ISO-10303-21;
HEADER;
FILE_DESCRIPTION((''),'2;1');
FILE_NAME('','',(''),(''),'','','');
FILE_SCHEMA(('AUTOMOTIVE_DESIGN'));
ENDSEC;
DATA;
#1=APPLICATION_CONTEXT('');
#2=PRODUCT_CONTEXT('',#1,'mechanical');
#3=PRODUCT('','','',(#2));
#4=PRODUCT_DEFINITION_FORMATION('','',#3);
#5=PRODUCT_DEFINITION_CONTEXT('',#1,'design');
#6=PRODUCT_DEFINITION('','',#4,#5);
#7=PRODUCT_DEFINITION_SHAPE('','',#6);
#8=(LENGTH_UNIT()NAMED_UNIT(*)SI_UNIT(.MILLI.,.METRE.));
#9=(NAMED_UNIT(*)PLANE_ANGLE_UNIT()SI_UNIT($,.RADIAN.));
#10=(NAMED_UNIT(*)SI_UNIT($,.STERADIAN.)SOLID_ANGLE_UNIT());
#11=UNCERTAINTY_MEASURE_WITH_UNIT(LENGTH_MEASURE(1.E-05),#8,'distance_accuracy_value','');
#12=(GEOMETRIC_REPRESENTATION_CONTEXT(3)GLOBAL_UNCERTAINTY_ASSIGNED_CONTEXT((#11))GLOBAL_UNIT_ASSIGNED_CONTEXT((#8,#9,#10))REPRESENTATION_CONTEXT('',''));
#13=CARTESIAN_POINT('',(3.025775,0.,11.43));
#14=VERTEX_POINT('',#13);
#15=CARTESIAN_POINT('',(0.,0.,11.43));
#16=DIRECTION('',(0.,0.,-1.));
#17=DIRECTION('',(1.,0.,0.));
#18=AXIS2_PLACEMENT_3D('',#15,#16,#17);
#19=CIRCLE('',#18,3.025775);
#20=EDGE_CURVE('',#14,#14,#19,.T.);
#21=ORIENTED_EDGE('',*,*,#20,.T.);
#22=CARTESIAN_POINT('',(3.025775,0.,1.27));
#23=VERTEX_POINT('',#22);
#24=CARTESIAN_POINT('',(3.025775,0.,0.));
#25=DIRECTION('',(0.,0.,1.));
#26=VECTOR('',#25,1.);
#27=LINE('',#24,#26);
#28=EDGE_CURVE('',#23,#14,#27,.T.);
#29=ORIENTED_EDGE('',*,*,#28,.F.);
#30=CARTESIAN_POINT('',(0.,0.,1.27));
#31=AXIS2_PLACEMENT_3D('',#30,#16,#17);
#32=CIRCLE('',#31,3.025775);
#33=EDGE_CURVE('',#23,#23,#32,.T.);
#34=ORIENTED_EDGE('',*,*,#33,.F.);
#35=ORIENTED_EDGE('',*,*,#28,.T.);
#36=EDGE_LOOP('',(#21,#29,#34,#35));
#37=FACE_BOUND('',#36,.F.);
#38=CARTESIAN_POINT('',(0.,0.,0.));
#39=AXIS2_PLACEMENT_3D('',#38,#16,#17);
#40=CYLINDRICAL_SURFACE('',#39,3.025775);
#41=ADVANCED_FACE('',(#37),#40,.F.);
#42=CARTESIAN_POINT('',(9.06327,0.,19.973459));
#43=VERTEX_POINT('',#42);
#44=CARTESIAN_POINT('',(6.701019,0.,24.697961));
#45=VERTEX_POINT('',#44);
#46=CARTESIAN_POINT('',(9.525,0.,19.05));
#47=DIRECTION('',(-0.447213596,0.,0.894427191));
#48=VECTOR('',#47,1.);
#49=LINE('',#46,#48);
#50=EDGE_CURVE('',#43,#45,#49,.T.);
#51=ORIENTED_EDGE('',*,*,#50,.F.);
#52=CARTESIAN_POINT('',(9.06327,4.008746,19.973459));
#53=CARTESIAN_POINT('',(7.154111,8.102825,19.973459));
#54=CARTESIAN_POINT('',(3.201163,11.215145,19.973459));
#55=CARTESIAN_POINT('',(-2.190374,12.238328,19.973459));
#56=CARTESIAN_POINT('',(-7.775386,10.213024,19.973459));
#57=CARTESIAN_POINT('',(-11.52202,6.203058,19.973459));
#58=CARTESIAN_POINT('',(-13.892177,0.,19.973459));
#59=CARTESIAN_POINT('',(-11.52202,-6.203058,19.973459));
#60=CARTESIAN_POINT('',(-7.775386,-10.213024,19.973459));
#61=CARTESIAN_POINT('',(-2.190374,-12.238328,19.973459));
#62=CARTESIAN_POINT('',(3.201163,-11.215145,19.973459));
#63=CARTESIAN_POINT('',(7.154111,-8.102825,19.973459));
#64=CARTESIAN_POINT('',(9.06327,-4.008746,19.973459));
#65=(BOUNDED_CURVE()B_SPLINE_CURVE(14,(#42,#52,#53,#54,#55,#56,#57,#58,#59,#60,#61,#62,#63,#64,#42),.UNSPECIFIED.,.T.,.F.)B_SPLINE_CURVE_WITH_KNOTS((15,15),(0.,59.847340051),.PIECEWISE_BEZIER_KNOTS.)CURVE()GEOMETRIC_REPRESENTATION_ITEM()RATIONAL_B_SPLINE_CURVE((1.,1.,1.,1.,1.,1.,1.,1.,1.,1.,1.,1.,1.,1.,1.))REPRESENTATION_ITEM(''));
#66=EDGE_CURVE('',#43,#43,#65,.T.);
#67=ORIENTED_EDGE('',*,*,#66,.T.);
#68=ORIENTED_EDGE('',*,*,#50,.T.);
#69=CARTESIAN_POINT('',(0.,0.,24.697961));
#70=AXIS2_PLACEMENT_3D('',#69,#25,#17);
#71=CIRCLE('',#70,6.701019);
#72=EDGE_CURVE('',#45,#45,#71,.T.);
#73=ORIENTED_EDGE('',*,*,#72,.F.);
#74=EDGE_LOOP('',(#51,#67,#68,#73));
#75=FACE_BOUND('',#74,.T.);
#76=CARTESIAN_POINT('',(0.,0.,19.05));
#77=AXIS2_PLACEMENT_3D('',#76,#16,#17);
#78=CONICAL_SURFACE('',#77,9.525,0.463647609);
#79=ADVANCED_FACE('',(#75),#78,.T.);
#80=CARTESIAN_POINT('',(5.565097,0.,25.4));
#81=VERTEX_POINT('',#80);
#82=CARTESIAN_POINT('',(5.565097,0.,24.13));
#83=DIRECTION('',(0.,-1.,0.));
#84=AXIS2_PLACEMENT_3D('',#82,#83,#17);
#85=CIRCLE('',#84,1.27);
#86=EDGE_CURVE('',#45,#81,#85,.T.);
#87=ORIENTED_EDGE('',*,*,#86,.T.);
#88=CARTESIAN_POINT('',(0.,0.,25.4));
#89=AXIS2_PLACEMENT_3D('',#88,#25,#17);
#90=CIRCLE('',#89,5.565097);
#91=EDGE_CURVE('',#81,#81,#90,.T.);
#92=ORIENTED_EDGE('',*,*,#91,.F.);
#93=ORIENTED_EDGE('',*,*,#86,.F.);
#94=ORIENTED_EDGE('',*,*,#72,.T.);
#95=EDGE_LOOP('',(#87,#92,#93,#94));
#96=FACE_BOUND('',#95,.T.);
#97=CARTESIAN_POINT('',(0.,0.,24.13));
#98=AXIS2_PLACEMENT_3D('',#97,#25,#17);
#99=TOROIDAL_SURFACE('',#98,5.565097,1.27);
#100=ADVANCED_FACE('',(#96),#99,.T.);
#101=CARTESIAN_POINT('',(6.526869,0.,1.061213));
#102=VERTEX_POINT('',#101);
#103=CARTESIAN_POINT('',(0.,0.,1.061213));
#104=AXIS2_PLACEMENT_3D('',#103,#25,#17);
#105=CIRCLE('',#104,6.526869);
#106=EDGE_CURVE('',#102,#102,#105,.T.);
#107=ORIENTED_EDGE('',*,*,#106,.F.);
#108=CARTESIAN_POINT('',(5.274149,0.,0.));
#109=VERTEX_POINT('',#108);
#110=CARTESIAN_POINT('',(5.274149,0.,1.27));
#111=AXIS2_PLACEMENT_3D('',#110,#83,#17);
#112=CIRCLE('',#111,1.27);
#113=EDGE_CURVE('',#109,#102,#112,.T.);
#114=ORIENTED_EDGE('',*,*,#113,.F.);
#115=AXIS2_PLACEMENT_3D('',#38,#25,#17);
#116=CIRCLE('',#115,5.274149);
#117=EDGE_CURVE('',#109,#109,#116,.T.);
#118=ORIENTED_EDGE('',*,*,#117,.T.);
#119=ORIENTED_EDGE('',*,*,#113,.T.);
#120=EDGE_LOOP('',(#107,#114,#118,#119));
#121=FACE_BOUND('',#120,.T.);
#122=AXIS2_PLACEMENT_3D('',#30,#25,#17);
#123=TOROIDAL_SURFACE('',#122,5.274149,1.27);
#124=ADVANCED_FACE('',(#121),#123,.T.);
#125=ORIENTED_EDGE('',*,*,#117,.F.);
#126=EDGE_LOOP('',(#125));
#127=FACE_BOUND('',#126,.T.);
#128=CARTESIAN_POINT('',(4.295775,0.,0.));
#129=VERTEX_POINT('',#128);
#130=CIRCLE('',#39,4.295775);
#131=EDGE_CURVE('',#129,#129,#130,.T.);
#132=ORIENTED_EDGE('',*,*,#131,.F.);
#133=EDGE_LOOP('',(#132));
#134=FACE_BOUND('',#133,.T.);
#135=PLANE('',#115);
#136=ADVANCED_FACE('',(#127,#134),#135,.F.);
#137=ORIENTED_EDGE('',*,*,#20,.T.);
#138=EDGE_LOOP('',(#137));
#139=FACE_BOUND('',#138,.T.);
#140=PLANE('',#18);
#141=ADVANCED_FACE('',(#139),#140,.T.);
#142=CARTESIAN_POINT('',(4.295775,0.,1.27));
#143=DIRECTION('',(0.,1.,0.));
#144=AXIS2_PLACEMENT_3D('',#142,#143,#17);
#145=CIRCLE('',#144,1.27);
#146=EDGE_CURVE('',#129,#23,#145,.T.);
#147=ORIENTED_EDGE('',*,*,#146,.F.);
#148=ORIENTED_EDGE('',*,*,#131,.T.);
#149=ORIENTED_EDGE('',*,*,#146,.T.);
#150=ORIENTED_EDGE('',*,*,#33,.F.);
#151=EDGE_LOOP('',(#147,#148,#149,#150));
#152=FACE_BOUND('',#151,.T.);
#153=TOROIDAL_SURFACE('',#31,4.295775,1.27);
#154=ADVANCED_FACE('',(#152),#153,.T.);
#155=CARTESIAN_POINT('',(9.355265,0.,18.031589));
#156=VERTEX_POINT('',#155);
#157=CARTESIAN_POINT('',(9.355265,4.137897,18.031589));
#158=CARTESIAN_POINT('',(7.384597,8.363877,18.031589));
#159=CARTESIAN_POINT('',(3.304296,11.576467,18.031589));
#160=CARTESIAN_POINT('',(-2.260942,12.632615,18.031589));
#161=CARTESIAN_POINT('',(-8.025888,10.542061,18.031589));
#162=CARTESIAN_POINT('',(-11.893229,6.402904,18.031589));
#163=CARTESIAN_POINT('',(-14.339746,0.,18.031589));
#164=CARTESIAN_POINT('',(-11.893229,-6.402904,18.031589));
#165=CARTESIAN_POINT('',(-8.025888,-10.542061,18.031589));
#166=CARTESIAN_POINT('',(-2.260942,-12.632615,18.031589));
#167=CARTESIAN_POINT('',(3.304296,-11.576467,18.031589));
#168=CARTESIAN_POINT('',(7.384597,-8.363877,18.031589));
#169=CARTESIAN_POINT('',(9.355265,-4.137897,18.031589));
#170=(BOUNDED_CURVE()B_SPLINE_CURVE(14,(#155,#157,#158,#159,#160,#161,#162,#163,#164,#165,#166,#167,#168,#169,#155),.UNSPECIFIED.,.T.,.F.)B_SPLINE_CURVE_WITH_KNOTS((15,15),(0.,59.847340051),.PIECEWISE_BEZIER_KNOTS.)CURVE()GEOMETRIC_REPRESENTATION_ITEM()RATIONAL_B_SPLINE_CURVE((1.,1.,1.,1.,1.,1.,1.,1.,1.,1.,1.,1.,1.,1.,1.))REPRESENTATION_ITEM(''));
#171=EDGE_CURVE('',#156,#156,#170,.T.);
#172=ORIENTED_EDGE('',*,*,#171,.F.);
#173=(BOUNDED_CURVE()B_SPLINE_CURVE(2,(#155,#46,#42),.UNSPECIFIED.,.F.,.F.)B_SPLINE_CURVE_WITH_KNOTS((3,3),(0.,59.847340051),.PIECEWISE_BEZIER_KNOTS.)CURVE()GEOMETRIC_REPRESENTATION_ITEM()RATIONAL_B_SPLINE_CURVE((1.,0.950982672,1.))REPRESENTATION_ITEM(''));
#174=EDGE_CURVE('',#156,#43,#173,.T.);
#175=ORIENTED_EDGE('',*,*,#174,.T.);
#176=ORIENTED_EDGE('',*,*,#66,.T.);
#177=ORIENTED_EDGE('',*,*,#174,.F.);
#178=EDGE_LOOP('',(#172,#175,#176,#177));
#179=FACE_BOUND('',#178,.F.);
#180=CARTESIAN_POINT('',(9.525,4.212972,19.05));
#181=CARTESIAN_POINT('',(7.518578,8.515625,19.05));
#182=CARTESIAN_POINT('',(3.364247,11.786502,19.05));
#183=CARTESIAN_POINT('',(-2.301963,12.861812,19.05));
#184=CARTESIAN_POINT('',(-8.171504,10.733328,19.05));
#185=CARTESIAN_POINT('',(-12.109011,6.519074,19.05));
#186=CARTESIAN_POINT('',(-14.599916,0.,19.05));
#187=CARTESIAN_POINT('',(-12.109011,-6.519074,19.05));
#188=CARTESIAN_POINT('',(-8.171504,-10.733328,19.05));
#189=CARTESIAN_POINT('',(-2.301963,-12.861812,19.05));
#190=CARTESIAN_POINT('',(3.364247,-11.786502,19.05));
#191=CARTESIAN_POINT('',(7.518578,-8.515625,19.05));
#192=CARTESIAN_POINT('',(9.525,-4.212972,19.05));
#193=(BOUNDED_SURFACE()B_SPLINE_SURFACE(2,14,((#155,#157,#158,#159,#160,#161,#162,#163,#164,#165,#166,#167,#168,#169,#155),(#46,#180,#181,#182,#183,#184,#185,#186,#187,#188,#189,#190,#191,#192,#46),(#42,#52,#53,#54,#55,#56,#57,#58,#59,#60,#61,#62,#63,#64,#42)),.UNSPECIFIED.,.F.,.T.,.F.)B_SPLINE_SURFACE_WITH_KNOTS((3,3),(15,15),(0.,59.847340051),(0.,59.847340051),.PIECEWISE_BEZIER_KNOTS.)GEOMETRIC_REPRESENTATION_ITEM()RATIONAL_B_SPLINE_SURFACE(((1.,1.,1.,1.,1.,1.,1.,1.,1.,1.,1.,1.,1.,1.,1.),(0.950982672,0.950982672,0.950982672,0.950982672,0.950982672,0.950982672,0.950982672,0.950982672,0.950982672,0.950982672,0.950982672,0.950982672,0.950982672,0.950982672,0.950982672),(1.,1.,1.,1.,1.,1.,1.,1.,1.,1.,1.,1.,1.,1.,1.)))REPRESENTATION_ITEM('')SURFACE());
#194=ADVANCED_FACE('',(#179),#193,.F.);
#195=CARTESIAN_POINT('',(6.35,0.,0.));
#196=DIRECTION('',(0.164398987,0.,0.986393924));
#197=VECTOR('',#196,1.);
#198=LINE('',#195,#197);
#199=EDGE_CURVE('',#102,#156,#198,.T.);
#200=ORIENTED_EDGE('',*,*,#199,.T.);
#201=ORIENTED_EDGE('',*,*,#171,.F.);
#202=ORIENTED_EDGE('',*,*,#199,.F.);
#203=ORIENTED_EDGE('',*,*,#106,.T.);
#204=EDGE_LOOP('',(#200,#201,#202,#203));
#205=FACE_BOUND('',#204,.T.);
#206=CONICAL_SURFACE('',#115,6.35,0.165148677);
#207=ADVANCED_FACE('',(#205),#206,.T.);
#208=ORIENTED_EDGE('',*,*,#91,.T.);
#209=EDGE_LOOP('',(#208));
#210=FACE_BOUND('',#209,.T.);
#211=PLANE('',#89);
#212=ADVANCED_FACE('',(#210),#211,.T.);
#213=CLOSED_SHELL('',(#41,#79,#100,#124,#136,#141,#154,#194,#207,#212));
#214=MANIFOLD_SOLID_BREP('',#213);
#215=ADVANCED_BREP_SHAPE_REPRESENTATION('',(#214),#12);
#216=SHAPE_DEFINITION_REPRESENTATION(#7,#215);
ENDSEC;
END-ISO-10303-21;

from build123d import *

# Parameters (mm, degrees)
F2_R     = 3.025775
F3_DEPTH = 11.43
F4_R     = 1.27
F5_R     = 3.175


with BuildPart() as f1:
    # F0 (on Front) → F1 (revolve)
    with BuildSketch(Plane.XZ):
        Polygon((0, 25.4), (0, 0), (6.35, 0), (9.525, 19.05), (6.35, 25.4), align=None)
    revolve(axis=Axis((0, 0, 12.7), (0, 0, 1)))

    # F2 (on face) → F3 (cut)
    with BuildSketch(Plane(origin=(0, 0, 0), x_dir=(1, 0, 0), z_dir=(0, 0, -1))):
        Circle(F2_R)
    extrude(amount=-F3_DEPTH, mode=Mode.SUBTRACT)

    # F4
    f4_edges = [f1.edges().sort_by_distance(p)[0] for p in [
        (-3.025775, 0, 0),
        (-6.35, 0, 25.4),
        (-6.35, 0, 0),
    ]]
    fillet(f4_edges, radius=F4_R)

    # F5
    f5_edges = [f1.edges().sort_by_distance(p)[0] for p in [
        (-9.525, 0, 19.05),
    ]]
    fillet(f5_edges, radius=F5_R)


solid = f1.part
